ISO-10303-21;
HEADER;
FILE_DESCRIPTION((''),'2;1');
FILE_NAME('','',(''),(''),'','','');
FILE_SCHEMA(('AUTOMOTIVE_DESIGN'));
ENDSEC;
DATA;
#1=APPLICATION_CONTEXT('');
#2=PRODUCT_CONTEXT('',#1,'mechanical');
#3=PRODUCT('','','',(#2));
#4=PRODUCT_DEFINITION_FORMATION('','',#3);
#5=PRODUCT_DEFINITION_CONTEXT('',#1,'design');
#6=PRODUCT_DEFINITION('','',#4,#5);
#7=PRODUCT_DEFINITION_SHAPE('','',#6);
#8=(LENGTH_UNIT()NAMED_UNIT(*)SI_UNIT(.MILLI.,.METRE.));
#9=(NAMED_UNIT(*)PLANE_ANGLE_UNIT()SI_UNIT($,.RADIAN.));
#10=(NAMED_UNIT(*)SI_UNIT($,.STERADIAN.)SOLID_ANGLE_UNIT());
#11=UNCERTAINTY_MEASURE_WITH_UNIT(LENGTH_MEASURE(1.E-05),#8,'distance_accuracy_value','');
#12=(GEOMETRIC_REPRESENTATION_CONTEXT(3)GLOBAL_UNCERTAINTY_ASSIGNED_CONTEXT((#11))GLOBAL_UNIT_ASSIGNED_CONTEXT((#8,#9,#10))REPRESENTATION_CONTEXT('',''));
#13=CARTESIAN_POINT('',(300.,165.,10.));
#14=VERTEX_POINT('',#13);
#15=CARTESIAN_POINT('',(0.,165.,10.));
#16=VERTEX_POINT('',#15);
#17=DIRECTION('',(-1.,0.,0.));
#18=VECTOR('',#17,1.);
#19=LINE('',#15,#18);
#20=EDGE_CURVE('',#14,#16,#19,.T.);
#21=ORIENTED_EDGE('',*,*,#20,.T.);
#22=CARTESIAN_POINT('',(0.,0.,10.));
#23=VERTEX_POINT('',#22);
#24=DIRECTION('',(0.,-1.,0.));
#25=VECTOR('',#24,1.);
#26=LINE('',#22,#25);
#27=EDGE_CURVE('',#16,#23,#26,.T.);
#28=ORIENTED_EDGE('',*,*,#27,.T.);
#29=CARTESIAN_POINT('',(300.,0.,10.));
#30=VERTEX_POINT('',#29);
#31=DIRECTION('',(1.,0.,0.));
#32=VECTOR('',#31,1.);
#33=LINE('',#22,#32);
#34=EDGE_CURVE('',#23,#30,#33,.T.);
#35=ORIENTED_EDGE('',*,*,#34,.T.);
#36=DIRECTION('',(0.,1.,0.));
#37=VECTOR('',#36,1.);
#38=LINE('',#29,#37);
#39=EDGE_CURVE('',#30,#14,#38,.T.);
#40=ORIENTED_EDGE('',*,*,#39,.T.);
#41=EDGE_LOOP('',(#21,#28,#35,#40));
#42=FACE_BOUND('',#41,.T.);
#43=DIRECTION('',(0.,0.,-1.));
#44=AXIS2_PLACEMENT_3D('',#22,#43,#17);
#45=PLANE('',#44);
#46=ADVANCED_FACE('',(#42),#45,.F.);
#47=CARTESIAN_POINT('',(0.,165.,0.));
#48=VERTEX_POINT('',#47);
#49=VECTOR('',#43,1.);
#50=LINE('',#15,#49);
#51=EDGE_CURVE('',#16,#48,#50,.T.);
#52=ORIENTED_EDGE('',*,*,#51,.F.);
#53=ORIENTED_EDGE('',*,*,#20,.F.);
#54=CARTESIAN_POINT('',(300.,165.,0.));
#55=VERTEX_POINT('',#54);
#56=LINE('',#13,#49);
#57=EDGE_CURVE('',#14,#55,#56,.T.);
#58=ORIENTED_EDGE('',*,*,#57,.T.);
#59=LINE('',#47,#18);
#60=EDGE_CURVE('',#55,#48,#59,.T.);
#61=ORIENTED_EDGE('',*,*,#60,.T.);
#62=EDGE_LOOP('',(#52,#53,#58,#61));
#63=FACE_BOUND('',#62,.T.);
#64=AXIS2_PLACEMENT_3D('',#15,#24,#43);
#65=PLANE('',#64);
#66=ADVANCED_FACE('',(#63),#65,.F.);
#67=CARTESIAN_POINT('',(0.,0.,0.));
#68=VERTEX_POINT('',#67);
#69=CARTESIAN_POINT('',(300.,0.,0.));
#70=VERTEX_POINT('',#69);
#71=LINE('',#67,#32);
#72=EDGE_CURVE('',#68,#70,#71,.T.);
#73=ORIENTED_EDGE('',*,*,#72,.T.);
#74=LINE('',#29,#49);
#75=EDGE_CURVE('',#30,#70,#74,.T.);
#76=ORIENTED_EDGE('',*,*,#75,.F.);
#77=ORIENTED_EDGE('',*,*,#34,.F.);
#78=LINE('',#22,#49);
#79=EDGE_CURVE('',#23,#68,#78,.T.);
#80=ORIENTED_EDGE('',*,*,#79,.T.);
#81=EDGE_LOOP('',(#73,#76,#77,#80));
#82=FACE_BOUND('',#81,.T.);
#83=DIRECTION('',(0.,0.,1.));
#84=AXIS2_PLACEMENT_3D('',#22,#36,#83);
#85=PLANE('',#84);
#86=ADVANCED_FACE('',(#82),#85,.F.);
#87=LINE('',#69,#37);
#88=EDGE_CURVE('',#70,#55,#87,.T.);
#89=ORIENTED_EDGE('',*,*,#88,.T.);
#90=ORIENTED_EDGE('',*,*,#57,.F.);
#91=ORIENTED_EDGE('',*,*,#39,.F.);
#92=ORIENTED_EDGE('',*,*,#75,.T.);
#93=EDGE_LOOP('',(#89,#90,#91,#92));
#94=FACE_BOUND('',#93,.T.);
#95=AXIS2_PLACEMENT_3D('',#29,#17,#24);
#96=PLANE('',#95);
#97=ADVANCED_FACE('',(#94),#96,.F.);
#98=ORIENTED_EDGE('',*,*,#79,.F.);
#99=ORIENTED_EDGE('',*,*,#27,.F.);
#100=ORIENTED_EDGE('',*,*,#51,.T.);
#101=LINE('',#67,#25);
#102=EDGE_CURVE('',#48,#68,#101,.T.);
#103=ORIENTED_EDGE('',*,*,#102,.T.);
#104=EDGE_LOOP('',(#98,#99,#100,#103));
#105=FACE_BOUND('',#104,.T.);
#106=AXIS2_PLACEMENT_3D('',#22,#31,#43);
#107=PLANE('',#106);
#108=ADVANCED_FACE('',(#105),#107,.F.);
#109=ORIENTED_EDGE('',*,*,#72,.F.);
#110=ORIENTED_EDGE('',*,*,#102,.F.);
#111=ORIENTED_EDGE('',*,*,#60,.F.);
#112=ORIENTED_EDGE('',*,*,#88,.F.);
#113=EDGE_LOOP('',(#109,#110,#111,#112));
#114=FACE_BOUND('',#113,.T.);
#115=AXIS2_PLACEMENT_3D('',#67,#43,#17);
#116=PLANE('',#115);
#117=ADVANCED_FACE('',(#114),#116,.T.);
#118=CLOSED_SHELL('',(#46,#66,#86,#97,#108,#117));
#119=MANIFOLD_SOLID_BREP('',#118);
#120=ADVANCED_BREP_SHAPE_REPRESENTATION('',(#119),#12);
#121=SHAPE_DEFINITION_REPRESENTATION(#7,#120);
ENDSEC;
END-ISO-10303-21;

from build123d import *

# Parameters (mm, degrees)
SKETCH_1_W      = 300
SKETCH_1_H      = 165
EXTRUDE_1_DEPTH = 10


with BuildPart() as part:
    # 스케치1 → 보스-돌출1 (new body)
    with BuildSketch(Plane.XY):
        with Locations((150, 82.5)):
            Rectangle(SKETCH_1_W, SKETCH_1_H)
    extrude(amount=EXTRUDE_1_DEPTH)


solid = part.part
